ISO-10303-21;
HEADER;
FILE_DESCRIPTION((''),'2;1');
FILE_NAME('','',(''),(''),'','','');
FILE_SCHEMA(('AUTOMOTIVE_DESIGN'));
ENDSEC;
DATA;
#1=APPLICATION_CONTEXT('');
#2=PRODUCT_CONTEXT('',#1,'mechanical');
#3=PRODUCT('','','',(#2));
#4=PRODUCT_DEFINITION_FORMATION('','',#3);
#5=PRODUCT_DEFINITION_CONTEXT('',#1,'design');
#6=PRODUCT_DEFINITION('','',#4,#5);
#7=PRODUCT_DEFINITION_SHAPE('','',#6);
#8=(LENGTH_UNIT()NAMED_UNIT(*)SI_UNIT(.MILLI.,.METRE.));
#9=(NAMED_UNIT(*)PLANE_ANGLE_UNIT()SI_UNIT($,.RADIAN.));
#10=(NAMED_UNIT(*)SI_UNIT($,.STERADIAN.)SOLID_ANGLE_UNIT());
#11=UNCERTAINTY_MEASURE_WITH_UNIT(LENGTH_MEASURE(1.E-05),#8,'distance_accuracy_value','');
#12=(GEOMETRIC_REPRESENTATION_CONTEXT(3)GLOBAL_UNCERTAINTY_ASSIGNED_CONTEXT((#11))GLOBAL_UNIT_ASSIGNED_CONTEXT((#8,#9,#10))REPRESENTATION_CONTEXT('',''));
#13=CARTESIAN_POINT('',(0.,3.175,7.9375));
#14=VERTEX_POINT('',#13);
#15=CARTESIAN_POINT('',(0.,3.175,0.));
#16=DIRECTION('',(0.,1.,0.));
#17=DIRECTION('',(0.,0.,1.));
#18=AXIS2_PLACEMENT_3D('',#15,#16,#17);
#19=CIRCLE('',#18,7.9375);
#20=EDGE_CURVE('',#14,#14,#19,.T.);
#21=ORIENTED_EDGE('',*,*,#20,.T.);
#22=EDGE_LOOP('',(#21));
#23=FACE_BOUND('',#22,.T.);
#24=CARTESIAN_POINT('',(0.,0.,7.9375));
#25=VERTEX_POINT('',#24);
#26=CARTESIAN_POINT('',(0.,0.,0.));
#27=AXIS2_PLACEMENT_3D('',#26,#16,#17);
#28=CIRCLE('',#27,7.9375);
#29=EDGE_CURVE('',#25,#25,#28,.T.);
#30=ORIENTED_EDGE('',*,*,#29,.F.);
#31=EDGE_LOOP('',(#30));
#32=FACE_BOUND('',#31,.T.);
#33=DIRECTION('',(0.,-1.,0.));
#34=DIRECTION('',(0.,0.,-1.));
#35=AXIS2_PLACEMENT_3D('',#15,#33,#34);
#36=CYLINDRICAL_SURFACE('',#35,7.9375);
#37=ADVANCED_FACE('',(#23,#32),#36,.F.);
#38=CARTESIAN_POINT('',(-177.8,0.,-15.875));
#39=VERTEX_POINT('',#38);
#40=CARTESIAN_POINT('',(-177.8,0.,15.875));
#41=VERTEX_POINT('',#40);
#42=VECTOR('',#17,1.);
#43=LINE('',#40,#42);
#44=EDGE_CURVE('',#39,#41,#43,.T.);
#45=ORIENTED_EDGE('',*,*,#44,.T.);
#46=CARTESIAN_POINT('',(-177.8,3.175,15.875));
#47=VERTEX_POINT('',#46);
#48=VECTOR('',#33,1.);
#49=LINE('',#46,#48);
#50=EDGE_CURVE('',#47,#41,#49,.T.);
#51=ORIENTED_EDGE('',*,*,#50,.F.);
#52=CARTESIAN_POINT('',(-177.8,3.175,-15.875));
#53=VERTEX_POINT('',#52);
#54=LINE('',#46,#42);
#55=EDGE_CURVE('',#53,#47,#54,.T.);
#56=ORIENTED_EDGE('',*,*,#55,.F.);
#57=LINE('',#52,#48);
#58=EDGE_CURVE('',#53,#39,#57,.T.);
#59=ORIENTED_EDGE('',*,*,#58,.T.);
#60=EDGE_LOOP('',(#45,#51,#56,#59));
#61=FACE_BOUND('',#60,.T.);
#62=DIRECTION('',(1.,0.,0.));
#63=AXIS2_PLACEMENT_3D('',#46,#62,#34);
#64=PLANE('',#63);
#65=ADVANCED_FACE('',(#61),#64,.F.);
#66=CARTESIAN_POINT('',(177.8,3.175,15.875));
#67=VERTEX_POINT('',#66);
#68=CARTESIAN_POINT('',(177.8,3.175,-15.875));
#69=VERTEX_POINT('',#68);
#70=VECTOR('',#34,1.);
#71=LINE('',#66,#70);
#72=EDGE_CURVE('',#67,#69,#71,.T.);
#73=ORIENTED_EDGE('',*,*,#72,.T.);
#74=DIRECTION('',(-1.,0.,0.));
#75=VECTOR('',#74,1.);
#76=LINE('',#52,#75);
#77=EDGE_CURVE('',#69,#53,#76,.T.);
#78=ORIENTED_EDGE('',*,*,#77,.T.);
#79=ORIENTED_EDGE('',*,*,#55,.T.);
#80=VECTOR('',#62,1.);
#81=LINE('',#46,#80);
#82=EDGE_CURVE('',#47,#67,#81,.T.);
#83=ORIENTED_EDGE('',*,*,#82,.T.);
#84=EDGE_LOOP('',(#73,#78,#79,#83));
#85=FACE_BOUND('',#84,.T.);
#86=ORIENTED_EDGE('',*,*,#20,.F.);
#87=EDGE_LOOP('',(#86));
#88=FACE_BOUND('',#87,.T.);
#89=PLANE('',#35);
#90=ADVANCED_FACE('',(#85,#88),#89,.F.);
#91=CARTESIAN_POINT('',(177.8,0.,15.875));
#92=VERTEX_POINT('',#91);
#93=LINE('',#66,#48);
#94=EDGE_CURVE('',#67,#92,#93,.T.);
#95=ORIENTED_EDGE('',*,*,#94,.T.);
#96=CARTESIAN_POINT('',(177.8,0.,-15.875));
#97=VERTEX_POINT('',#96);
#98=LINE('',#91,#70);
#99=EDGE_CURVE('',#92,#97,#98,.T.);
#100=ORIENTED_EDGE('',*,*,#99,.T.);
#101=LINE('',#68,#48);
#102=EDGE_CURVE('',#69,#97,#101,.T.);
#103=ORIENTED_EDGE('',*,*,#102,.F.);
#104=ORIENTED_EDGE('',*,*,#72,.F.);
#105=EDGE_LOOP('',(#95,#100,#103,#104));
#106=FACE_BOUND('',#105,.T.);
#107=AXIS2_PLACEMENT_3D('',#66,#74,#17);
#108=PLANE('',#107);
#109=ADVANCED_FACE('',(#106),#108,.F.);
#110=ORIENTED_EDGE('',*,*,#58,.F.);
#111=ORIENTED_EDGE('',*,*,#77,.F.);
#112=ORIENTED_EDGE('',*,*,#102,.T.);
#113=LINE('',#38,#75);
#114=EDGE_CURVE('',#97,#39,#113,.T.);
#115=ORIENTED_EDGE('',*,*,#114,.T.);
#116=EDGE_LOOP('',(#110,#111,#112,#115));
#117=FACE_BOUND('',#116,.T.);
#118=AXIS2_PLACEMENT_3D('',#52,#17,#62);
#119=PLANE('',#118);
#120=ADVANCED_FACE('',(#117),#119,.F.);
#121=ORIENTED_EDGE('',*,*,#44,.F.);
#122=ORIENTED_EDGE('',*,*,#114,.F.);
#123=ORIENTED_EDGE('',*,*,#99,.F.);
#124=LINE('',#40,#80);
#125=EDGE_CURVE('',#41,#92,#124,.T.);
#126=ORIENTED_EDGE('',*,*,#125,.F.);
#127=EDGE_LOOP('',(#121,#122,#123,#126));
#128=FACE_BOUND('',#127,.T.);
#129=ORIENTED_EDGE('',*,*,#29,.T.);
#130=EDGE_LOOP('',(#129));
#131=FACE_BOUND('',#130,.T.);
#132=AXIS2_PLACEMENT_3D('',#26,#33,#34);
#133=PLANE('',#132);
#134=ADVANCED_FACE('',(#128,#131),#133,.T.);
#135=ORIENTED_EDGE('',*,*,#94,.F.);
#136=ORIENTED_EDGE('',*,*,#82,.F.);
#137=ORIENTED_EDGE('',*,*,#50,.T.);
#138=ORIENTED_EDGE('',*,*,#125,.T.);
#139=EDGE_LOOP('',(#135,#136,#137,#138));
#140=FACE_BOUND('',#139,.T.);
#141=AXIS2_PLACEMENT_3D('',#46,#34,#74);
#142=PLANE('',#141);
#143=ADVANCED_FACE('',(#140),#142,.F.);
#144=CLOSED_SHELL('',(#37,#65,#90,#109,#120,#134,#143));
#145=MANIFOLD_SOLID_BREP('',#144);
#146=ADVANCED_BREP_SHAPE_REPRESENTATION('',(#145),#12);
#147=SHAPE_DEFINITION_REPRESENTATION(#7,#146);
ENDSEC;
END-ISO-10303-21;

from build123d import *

# Parameters (mm, degrees)
SKETCH1_W           = 355.6
SKETCH1_H           = 31.75
SKETCH1_R           = 7.9375
BOSS_EXTRUDE1_DEPTH = 3.175


with BuildPart() as part:
    # Sketch1 → Boss-Extrude1 (new body)
    with BuildSketch(Plane(origin=(0, 0, 0), x_dir=(1, 0, 0), z_dir=(0, 1, 0))):
        Rectangle(SKETCH1_W, SKETCH1_H)
        with Locations(Location((0, 0, 0), (0, 0, 270))):
            Circle(SKETCH1_R, mode=Mode.SUBTRACT)
    extrude(amount=BOSS_EXTRUDE1_DEPTH)


solid = part.part
